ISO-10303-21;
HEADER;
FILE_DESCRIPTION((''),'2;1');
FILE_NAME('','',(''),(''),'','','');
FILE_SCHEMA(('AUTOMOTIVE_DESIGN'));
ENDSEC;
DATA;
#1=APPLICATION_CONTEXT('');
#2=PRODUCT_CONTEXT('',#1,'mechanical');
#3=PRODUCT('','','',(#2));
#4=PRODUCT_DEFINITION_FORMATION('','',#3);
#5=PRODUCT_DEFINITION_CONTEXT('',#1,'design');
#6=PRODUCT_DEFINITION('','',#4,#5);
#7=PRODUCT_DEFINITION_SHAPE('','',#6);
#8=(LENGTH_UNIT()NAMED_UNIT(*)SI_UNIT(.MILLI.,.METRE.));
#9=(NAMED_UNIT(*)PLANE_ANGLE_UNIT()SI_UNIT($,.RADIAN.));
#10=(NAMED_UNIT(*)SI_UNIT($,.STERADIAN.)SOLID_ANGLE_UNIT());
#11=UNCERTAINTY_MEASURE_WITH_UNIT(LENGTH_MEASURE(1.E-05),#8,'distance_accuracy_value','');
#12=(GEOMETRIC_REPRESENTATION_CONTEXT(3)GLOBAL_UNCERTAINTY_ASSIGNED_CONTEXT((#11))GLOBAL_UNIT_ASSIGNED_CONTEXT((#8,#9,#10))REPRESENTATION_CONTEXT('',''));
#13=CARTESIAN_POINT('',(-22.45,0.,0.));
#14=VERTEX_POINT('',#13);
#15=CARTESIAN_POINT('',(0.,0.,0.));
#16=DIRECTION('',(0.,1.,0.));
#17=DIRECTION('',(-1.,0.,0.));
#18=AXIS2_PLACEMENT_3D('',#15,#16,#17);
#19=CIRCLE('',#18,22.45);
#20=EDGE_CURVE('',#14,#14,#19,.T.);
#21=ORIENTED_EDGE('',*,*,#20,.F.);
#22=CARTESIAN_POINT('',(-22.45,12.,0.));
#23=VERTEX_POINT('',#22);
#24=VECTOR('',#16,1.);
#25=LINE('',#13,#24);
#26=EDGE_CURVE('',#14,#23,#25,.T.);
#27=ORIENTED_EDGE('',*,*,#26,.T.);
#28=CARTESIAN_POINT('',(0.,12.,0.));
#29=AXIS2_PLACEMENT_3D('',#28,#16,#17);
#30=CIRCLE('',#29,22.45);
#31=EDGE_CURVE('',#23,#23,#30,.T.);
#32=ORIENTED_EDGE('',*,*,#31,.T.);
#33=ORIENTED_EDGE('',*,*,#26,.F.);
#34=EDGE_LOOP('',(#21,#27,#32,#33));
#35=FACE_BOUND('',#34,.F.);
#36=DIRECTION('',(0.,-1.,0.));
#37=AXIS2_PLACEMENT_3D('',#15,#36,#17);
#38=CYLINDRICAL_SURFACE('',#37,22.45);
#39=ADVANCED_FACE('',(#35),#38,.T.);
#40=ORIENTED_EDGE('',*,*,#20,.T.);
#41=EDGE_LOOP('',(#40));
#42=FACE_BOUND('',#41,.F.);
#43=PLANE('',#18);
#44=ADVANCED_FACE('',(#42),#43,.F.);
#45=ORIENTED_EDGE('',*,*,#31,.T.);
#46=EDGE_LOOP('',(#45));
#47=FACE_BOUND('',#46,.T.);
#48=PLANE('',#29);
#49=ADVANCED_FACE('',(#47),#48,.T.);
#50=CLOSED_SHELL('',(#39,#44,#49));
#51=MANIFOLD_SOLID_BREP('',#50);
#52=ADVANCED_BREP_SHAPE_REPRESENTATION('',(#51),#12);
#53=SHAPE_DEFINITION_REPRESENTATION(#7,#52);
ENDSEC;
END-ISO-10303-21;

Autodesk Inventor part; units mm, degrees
ref_plane "YZ Plane" through (0, 0, 0) normal (1, 0, 0) x (0, 1, 0)
ref_plane "XZ Plane" through (0, 0, 0) normal (0, 1, 0) x (-1, 0, 0)
ref_plane "XY Plane" through (0, 0, 0) normal (0, 0, 1) x (1, 0, 0)
sketch "Esboço1" plane through (0, 0, 0) normal (0, 1, 0) x (-1, 0, 0)
  circle A0 centre (0, 0) radius 22.45
  dimension "d0" = 44.9
extrude "Extrusão1" add sketch "Esboço1" along normal blind 12
properties part number "tampa"
